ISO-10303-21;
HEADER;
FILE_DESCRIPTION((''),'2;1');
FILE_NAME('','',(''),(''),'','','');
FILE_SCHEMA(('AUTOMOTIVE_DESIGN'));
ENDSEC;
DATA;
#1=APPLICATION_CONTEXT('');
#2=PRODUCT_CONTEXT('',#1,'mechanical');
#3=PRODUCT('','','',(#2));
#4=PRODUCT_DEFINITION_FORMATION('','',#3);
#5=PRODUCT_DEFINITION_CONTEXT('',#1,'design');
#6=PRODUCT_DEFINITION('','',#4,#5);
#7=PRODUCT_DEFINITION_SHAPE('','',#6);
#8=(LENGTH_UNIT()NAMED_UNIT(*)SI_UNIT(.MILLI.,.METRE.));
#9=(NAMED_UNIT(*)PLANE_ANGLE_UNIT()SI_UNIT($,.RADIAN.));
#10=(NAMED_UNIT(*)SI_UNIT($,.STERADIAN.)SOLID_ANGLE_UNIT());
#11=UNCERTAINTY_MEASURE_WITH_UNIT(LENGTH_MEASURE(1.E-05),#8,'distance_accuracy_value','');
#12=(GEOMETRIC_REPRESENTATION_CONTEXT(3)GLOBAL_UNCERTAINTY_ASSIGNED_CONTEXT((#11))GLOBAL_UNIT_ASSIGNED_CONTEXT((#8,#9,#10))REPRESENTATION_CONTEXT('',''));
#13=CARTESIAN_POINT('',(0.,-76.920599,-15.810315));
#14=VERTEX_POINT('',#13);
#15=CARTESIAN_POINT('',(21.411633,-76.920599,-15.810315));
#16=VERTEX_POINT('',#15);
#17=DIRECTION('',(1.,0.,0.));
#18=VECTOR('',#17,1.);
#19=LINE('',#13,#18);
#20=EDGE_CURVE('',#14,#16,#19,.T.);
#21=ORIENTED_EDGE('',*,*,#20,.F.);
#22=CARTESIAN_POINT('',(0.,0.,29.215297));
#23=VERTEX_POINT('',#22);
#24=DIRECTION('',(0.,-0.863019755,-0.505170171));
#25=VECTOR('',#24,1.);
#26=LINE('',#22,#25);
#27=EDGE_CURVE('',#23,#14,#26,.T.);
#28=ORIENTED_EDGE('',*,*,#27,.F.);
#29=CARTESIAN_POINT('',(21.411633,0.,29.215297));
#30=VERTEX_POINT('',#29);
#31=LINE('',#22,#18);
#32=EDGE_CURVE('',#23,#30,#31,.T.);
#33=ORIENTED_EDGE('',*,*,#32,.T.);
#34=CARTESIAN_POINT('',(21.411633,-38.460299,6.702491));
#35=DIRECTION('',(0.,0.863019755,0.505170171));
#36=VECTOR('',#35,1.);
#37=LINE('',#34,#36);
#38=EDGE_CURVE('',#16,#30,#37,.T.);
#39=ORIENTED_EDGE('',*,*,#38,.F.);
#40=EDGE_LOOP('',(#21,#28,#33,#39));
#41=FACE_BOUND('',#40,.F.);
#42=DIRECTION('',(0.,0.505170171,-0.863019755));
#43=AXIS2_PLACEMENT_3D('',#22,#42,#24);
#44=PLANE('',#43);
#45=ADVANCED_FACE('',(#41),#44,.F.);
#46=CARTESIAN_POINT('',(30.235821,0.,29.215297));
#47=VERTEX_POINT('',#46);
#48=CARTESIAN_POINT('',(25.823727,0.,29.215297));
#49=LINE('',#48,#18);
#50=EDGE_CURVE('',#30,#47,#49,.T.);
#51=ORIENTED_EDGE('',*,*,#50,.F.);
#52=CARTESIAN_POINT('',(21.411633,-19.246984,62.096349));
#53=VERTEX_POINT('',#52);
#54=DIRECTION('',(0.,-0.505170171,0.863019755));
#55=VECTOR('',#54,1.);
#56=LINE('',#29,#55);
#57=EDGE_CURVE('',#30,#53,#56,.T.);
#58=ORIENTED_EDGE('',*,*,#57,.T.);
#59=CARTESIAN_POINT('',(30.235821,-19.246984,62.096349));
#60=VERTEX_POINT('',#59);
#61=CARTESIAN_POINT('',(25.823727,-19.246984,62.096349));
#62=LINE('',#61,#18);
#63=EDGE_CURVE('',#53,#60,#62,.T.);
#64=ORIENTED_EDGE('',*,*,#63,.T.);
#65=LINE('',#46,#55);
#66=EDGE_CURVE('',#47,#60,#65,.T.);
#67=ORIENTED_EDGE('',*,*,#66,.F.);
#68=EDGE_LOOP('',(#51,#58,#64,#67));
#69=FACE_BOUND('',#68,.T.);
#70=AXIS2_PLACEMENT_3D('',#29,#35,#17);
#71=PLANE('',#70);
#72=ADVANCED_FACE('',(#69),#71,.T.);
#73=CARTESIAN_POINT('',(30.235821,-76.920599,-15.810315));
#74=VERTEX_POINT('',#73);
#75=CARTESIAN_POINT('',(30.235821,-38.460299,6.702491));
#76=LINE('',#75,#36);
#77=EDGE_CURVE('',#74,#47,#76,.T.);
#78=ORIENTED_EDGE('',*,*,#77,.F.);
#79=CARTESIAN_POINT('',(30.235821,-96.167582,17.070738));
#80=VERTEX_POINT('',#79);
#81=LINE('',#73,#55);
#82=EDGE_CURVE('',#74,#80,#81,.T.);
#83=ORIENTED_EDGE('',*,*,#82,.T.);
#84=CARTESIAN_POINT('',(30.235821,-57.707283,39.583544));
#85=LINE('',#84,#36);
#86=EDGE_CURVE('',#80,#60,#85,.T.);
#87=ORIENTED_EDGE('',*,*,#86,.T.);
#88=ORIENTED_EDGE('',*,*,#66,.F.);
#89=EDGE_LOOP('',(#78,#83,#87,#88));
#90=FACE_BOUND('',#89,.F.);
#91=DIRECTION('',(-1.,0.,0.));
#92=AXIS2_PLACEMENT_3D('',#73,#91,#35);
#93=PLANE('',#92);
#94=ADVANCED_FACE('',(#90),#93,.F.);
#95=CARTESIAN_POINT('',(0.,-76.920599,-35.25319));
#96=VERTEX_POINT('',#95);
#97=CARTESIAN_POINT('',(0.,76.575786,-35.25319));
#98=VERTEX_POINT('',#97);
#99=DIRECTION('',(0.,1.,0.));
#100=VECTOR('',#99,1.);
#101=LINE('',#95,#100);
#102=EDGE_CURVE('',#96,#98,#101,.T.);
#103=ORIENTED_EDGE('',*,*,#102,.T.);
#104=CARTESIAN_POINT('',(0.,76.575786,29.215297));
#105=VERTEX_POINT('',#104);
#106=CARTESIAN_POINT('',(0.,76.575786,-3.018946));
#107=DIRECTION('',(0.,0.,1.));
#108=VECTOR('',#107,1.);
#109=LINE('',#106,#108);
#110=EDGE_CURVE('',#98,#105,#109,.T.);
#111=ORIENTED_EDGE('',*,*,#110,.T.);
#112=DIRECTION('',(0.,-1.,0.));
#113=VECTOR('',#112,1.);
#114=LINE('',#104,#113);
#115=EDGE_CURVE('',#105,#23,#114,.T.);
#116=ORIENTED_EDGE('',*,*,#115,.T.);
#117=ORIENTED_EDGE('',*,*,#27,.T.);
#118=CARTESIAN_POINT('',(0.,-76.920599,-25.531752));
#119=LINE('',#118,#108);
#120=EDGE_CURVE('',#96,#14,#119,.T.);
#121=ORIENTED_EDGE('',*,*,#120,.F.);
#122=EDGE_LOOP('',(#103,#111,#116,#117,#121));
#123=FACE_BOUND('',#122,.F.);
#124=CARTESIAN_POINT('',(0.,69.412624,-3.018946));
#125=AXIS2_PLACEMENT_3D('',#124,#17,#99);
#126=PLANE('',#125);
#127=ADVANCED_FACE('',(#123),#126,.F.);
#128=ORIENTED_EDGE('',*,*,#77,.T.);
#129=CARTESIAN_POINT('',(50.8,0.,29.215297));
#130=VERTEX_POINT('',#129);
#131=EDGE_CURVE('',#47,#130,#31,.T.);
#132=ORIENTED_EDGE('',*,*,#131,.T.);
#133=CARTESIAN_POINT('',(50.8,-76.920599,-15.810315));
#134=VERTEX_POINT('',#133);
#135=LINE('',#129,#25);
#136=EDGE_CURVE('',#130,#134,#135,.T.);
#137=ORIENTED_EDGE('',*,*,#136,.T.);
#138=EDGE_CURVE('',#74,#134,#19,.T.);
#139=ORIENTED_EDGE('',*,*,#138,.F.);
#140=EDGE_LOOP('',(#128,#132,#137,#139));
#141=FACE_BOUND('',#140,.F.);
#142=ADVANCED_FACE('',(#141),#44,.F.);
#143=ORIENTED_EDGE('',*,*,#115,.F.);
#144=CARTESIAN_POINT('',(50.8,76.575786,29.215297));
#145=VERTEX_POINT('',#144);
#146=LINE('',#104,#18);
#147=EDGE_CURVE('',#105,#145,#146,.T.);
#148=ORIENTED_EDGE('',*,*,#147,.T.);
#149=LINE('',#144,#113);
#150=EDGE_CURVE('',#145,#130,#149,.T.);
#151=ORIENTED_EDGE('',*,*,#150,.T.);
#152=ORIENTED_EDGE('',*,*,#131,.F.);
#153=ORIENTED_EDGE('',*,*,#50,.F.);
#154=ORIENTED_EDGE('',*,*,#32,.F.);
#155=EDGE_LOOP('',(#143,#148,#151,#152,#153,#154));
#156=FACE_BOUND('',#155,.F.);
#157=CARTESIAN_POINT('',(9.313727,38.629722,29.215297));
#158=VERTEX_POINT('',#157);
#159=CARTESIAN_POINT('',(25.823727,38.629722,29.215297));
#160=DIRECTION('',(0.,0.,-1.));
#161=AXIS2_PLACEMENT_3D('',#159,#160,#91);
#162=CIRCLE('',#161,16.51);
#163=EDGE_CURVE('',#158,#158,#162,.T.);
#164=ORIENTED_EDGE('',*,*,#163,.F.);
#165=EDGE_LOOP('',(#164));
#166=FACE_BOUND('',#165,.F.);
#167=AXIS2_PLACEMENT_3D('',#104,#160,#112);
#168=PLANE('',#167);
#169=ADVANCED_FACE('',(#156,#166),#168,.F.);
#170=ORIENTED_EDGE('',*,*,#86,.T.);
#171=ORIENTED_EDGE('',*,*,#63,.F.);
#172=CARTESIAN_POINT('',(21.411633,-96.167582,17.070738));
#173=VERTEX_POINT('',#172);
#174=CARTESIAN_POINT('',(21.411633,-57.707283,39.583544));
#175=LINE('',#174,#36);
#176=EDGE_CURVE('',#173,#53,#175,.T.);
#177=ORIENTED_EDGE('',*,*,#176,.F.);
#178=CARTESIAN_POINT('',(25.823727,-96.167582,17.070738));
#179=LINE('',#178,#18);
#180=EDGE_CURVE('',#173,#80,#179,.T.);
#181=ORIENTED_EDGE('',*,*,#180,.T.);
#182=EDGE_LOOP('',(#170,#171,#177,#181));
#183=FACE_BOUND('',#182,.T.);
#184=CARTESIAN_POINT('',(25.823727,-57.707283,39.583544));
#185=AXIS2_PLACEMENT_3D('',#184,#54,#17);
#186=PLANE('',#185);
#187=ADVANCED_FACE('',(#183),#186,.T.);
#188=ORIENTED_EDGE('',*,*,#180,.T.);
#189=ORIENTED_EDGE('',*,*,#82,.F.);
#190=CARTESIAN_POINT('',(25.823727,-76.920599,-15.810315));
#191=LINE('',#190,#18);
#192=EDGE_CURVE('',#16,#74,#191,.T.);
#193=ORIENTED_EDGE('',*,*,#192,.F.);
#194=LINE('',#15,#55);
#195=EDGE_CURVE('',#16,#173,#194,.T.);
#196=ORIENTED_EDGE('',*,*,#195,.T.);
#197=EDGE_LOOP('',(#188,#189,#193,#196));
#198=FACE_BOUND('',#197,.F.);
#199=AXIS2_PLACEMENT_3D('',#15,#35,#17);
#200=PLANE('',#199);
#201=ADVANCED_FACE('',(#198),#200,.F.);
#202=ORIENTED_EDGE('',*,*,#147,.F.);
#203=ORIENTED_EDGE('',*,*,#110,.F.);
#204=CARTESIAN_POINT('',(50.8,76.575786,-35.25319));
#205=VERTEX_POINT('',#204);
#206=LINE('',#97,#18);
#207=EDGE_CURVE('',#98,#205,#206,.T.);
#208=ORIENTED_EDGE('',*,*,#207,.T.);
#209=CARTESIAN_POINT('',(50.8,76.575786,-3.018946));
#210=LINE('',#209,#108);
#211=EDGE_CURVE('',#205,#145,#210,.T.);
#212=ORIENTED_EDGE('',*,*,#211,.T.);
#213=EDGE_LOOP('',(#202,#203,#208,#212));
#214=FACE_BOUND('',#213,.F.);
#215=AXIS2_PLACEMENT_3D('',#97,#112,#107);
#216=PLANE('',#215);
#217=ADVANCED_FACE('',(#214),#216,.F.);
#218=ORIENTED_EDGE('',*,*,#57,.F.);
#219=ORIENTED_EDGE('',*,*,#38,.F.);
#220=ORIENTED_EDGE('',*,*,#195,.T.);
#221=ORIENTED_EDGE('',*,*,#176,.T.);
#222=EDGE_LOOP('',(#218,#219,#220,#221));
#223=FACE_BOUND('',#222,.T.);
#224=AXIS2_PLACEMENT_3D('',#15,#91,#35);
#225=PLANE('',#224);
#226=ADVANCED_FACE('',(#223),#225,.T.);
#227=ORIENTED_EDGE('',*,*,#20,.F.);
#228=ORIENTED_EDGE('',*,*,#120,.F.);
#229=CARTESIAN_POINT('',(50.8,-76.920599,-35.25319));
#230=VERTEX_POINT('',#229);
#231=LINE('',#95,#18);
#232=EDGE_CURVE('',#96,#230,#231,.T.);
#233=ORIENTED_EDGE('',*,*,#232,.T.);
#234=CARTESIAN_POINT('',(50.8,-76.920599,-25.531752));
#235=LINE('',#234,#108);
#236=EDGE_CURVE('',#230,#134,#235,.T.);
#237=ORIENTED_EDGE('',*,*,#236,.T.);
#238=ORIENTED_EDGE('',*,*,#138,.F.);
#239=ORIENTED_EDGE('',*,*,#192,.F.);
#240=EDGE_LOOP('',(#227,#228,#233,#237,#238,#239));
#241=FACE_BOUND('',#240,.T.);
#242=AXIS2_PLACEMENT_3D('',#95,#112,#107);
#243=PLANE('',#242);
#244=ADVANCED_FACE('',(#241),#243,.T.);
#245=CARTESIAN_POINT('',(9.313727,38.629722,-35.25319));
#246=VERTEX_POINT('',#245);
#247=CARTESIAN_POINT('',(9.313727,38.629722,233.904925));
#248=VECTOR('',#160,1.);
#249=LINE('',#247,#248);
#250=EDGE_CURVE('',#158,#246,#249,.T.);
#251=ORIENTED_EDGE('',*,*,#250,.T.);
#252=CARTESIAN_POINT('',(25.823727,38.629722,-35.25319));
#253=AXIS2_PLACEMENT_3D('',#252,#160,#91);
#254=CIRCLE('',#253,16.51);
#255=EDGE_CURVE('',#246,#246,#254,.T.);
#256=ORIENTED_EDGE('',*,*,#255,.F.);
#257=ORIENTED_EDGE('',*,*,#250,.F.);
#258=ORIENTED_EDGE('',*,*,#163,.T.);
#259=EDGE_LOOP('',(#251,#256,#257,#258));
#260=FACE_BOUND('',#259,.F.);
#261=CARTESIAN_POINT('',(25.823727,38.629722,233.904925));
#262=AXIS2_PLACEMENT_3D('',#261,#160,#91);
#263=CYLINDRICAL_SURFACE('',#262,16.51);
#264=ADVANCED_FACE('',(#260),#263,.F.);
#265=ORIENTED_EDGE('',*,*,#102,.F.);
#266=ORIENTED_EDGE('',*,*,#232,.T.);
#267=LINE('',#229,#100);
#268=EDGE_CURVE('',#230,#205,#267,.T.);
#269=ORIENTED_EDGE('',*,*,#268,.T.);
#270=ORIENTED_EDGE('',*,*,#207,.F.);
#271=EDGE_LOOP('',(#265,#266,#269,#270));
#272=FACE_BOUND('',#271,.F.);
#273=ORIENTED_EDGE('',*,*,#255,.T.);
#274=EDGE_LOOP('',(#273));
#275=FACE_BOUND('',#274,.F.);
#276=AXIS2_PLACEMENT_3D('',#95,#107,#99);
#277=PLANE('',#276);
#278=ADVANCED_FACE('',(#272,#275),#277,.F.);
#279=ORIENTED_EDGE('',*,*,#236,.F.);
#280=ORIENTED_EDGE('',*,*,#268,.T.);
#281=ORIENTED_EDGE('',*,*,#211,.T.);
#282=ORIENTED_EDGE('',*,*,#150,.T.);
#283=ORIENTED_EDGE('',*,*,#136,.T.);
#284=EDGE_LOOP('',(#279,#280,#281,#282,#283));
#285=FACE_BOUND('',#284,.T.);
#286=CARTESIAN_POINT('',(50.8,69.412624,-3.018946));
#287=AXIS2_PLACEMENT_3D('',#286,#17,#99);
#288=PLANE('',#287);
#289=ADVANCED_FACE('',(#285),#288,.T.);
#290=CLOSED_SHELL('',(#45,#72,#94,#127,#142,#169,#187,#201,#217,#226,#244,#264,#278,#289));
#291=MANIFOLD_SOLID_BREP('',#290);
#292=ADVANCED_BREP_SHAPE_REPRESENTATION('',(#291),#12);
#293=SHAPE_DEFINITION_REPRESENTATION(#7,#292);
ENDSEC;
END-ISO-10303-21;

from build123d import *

# Parameters (mm, degrees)
F0_W     = 14.3263228238
F0_H     = 64.4684862345
F0_W_2   = 16.372948885
F0_W_3   = 15.3496470302
F0_W_4   = 24.5594233274
F0_H_2   = 19.4428749382
F1_DEPTH = 50.8
F2_W     = 8.8241882622
F2_H     = 89.1295920778
F3_DEPTH = 38.1
F5_D     = 33.02


with BuildPart() as f1:
    # F0 (on Right) → F1 (new body)
    with BuildSketch(Plane.YZ):
        with Locations((69.4126244634, -3.0189463869)):
            Rectangle(F0_W, F0_H)
        with Locations((54.0629886091, -3.0189463869)):
            Rectangle(F0_W_2, F0_H)
        with Locations((38.2016906515, -3.0189463869)):
            Rectangle(F0_W_3, F0_H)
        Polygon((30.5268671364, -35.2531895041), (30.5268671364, 29.2152967304), (0, 29.2152967304), (0, -15.8103145659), (-52.3611754179, -15.8103145659), (-52.3611754179, -35.2531895041), align=None)
        Polygon((0, -15.8103145659), (0, 29.2152967304), (-76.9205987453, -15.8103145659), (-52.3611754179, -15.8103145659), align=None)
        with Locations((-64.6408870816, -25.531752035)):
            Rectangle(F0_W_4, F0_H_2)
    extrude(amount=F1_DEPTH)

    # F2 (on face) → F3 (join)
    with BuildSketch(Plane(origin=(0, -12.7370466018, 21.7596435151), x_dir=(1, 0, 0), z_dir=(0, -0.5051701713, 0.8630197553))):
        with Locations((25.8237272501, -29.8060995855)):
            Rectangle(F2_W, F2_H)
    extrude(amount=F3_DEPTH)

    # F5 (through all)
    with Locations(Plane.XY.offset(29.2152967304)):
        with Locations((25.8237272501, 38.6297218502)):
            Hole(F5_D / 2)


solid = f1.part
